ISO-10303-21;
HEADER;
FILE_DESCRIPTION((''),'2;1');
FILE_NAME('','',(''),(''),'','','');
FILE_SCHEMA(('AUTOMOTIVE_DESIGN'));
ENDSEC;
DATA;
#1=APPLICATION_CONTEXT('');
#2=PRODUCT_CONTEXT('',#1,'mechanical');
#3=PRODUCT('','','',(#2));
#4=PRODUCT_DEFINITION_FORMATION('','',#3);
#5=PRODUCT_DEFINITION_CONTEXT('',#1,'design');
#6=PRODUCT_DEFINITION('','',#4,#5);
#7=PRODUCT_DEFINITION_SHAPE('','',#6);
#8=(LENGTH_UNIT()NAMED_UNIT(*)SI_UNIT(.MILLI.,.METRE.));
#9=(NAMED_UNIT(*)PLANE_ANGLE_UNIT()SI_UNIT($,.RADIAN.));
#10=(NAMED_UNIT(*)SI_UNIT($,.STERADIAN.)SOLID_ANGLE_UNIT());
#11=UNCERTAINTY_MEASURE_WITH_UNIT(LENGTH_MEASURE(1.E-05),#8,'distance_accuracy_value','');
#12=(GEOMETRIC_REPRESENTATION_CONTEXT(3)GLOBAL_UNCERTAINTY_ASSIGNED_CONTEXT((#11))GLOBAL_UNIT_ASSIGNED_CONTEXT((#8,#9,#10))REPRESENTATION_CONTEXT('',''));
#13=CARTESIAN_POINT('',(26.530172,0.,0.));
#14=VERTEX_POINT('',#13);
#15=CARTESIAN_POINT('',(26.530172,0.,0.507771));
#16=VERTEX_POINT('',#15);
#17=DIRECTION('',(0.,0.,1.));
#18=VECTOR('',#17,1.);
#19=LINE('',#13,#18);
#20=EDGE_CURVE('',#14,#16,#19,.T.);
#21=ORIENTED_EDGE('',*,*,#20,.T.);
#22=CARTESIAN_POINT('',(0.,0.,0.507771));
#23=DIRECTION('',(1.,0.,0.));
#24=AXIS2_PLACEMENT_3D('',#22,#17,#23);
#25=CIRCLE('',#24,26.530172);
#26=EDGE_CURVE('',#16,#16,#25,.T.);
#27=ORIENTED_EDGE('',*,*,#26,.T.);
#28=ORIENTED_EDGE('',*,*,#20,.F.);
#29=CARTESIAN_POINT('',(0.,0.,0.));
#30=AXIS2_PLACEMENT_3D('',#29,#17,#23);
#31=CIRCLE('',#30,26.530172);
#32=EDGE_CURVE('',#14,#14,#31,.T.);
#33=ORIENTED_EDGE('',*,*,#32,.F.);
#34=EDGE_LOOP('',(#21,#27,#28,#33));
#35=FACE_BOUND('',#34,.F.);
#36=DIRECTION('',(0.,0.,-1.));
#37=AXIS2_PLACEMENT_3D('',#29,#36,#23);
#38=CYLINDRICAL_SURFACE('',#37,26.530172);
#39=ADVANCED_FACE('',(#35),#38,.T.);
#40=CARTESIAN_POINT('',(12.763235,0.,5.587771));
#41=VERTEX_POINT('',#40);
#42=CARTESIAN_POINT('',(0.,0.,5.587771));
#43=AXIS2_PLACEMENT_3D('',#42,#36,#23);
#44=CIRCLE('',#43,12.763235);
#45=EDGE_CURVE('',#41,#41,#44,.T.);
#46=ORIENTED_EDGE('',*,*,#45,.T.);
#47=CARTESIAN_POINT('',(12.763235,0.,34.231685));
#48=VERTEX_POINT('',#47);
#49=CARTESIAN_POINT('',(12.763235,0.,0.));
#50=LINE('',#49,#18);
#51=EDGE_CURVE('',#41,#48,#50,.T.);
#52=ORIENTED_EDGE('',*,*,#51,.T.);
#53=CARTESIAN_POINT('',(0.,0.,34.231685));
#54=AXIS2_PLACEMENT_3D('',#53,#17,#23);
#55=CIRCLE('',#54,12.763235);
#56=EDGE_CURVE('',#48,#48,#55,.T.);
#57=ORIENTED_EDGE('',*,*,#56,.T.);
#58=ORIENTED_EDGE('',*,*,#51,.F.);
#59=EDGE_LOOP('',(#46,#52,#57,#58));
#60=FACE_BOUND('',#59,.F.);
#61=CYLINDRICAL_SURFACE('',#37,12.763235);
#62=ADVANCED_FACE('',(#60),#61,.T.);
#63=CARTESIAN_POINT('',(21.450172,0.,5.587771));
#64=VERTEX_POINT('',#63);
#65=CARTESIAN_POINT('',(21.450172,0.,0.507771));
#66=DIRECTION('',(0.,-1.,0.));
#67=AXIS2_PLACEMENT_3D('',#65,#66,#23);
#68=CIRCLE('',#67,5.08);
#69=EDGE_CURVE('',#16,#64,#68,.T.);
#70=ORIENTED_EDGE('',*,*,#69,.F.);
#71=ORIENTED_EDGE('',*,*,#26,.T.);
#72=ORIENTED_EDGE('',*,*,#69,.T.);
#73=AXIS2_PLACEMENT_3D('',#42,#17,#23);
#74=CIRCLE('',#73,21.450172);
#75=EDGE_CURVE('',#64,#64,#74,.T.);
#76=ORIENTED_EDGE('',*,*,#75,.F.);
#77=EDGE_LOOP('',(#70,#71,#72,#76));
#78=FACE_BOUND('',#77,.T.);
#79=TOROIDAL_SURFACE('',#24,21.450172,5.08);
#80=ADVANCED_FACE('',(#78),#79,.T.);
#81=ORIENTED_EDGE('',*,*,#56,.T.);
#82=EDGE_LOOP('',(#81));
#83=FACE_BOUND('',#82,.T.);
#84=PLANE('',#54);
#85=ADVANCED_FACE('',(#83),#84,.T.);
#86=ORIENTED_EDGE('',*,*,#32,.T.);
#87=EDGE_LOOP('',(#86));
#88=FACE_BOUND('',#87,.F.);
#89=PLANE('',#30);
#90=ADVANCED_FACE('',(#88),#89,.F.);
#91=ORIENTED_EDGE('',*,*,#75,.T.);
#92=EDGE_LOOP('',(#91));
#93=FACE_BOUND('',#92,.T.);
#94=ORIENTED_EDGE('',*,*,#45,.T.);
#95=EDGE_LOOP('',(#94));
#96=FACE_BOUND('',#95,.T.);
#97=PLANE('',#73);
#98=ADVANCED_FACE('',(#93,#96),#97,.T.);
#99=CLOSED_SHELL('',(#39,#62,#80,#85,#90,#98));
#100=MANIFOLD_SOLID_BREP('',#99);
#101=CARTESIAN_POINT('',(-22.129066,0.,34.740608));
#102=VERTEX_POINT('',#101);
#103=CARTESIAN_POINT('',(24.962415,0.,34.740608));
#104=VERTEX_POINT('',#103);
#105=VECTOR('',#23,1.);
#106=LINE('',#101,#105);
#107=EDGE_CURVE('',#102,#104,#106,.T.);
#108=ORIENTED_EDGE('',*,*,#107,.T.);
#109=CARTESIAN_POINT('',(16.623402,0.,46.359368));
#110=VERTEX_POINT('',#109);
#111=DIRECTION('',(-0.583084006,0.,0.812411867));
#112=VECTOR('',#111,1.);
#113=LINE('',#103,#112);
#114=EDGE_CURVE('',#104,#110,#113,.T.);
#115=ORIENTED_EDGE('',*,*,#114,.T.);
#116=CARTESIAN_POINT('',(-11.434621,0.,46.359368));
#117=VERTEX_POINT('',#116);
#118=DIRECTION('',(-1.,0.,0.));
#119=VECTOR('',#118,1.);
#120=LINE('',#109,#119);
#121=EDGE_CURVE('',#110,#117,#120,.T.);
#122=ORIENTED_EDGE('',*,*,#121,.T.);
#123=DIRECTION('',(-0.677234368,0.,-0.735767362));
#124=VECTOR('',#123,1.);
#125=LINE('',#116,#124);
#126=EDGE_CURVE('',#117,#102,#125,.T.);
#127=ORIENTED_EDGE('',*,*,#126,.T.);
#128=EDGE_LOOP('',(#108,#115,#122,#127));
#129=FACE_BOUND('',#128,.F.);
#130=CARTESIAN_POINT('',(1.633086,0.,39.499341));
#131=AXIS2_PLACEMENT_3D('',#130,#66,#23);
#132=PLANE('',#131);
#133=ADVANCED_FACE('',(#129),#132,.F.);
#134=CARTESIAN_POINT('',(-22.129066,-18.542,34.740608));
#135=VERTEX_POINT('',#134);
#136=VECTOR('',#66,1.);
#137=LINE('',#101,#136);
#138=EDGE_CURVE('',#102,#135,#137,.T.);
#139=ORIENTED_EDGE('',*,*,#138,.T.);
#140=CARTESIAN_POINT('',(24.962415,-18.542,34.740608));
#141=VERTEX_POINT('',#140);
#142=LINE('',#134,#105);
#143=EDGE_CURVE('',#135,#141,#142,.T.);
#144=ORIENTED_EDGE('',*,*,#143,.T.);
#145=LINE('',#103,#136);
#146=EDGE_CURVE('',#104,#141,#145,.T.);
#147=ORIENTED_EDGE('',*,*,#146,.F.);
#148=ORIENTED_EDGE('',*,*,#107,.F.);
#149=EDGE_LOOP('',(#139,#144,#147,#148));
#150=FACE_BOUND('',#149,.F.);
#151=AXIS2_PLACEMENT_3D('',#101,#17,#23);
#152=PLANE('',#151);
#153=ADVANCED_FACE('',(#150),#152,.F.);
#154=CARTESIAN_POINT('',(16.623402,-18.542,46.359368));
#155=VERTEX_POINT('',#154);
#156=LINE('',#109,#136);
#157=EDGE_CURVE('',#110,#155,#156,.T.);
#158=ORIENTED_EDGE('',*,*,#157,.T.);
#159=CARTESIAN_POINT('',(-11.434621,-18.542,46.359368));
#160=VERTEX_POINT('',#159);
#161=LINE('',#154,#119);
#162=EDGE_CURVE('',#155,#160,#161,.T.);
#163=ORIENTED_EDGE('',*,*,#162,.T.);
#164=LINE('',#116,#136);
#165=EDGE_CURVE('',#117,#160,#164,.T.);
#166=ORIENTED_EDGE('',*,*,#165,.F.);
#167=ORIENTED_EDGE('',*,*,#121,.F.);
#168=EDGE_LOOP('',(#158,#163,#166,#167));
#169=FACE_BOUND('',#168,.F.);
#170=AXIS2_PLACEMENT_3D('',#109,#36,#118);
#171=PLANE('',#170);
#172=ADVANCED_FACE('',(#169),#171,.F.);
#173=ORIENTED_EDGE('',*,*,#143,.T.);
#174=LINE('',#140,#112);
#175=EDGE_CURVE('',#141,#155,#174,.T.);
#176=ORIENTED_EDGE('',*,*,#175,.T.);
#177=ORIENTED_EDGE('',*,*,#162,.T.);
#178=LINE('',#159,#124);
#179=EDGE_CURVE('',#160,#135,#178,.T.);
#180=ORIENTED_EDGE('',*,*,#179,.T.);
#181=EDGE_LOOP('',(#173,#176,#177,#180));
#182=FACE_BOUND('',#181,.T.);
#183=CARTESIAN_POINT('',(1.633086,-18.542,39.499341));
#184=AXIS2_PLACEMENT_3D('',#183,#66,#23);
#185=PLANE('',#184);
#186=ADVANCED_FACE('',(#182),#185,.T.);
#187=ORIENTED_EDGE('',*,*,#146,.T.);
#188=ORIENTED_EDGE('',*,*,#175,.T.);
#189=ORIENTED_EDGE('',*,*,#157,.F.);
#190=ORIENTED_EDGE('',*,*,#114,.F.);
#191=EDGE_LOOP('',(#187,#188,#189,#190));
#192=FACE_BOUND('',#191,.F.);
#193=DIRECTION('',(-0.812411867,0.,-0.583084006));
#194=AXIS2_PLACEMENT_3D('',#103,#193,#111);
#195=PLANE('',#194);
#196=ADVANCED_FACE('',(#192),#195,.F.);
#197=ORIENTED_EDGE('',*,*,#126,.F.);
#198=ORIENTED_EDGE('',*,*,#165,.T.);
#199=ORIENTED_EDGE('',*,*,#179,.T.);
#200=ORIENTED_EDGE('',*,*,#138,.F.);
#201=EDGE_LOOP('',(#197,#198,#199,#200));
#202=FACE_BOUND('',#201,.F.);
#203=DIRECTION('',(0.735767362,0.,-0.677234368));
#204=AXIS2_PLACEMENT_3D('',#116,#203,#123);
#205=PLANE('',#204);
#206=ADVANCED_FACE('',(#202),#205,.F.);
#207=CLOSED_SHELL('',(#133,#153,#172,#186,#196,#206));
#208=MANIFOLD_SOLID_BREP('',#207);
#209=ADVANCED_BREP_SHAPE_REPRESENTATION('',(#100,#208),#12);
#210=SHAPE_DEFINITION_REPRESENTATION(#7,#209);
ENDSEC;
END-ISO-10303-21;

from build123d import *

# Parameters (mm, degrees)
F0_R     = 26.530172
F1_DEPTH = 5.587771
F2_R     = 12.763235
F3_DEPTH = 34.231685
F5_DEPTH = 18.542
F6_R     = 5.08


with BuildPart() as f1:
    # F0 (on Top) → F1 (new body)
    with BuildSketch(Plane.XY):
        Circle(F0_R)
    extrude(amount=F1_DEPTH)

    # F2 (on Top) → F3 (join)
    with BuildSketch(Plane.XY):
        Circle(F2_R)
    extrude(amount=F3_DEPTH)

    # F6
    f6_edges = [f1.edges().sort_by_distance(p)[0] for p in [
        (-26.530172, 0, 5.587771),
    ]]
    fillet(f6_edges, radius=F6_R)


with BuildPart() as f5:
    # F4 (on Front) → F5 (new body)
    with BuildSketch(Plane.XZ):
        Polygon((-22.129066, 34.740608), (0, 34.740608), (24.962415, 34.740608), (16.623402, 46.359368), (-11.434621, 46.359368), align=None)
    extrude(amount=F5_DEPTH)


solid = Compound([f1.part, f5.part])
